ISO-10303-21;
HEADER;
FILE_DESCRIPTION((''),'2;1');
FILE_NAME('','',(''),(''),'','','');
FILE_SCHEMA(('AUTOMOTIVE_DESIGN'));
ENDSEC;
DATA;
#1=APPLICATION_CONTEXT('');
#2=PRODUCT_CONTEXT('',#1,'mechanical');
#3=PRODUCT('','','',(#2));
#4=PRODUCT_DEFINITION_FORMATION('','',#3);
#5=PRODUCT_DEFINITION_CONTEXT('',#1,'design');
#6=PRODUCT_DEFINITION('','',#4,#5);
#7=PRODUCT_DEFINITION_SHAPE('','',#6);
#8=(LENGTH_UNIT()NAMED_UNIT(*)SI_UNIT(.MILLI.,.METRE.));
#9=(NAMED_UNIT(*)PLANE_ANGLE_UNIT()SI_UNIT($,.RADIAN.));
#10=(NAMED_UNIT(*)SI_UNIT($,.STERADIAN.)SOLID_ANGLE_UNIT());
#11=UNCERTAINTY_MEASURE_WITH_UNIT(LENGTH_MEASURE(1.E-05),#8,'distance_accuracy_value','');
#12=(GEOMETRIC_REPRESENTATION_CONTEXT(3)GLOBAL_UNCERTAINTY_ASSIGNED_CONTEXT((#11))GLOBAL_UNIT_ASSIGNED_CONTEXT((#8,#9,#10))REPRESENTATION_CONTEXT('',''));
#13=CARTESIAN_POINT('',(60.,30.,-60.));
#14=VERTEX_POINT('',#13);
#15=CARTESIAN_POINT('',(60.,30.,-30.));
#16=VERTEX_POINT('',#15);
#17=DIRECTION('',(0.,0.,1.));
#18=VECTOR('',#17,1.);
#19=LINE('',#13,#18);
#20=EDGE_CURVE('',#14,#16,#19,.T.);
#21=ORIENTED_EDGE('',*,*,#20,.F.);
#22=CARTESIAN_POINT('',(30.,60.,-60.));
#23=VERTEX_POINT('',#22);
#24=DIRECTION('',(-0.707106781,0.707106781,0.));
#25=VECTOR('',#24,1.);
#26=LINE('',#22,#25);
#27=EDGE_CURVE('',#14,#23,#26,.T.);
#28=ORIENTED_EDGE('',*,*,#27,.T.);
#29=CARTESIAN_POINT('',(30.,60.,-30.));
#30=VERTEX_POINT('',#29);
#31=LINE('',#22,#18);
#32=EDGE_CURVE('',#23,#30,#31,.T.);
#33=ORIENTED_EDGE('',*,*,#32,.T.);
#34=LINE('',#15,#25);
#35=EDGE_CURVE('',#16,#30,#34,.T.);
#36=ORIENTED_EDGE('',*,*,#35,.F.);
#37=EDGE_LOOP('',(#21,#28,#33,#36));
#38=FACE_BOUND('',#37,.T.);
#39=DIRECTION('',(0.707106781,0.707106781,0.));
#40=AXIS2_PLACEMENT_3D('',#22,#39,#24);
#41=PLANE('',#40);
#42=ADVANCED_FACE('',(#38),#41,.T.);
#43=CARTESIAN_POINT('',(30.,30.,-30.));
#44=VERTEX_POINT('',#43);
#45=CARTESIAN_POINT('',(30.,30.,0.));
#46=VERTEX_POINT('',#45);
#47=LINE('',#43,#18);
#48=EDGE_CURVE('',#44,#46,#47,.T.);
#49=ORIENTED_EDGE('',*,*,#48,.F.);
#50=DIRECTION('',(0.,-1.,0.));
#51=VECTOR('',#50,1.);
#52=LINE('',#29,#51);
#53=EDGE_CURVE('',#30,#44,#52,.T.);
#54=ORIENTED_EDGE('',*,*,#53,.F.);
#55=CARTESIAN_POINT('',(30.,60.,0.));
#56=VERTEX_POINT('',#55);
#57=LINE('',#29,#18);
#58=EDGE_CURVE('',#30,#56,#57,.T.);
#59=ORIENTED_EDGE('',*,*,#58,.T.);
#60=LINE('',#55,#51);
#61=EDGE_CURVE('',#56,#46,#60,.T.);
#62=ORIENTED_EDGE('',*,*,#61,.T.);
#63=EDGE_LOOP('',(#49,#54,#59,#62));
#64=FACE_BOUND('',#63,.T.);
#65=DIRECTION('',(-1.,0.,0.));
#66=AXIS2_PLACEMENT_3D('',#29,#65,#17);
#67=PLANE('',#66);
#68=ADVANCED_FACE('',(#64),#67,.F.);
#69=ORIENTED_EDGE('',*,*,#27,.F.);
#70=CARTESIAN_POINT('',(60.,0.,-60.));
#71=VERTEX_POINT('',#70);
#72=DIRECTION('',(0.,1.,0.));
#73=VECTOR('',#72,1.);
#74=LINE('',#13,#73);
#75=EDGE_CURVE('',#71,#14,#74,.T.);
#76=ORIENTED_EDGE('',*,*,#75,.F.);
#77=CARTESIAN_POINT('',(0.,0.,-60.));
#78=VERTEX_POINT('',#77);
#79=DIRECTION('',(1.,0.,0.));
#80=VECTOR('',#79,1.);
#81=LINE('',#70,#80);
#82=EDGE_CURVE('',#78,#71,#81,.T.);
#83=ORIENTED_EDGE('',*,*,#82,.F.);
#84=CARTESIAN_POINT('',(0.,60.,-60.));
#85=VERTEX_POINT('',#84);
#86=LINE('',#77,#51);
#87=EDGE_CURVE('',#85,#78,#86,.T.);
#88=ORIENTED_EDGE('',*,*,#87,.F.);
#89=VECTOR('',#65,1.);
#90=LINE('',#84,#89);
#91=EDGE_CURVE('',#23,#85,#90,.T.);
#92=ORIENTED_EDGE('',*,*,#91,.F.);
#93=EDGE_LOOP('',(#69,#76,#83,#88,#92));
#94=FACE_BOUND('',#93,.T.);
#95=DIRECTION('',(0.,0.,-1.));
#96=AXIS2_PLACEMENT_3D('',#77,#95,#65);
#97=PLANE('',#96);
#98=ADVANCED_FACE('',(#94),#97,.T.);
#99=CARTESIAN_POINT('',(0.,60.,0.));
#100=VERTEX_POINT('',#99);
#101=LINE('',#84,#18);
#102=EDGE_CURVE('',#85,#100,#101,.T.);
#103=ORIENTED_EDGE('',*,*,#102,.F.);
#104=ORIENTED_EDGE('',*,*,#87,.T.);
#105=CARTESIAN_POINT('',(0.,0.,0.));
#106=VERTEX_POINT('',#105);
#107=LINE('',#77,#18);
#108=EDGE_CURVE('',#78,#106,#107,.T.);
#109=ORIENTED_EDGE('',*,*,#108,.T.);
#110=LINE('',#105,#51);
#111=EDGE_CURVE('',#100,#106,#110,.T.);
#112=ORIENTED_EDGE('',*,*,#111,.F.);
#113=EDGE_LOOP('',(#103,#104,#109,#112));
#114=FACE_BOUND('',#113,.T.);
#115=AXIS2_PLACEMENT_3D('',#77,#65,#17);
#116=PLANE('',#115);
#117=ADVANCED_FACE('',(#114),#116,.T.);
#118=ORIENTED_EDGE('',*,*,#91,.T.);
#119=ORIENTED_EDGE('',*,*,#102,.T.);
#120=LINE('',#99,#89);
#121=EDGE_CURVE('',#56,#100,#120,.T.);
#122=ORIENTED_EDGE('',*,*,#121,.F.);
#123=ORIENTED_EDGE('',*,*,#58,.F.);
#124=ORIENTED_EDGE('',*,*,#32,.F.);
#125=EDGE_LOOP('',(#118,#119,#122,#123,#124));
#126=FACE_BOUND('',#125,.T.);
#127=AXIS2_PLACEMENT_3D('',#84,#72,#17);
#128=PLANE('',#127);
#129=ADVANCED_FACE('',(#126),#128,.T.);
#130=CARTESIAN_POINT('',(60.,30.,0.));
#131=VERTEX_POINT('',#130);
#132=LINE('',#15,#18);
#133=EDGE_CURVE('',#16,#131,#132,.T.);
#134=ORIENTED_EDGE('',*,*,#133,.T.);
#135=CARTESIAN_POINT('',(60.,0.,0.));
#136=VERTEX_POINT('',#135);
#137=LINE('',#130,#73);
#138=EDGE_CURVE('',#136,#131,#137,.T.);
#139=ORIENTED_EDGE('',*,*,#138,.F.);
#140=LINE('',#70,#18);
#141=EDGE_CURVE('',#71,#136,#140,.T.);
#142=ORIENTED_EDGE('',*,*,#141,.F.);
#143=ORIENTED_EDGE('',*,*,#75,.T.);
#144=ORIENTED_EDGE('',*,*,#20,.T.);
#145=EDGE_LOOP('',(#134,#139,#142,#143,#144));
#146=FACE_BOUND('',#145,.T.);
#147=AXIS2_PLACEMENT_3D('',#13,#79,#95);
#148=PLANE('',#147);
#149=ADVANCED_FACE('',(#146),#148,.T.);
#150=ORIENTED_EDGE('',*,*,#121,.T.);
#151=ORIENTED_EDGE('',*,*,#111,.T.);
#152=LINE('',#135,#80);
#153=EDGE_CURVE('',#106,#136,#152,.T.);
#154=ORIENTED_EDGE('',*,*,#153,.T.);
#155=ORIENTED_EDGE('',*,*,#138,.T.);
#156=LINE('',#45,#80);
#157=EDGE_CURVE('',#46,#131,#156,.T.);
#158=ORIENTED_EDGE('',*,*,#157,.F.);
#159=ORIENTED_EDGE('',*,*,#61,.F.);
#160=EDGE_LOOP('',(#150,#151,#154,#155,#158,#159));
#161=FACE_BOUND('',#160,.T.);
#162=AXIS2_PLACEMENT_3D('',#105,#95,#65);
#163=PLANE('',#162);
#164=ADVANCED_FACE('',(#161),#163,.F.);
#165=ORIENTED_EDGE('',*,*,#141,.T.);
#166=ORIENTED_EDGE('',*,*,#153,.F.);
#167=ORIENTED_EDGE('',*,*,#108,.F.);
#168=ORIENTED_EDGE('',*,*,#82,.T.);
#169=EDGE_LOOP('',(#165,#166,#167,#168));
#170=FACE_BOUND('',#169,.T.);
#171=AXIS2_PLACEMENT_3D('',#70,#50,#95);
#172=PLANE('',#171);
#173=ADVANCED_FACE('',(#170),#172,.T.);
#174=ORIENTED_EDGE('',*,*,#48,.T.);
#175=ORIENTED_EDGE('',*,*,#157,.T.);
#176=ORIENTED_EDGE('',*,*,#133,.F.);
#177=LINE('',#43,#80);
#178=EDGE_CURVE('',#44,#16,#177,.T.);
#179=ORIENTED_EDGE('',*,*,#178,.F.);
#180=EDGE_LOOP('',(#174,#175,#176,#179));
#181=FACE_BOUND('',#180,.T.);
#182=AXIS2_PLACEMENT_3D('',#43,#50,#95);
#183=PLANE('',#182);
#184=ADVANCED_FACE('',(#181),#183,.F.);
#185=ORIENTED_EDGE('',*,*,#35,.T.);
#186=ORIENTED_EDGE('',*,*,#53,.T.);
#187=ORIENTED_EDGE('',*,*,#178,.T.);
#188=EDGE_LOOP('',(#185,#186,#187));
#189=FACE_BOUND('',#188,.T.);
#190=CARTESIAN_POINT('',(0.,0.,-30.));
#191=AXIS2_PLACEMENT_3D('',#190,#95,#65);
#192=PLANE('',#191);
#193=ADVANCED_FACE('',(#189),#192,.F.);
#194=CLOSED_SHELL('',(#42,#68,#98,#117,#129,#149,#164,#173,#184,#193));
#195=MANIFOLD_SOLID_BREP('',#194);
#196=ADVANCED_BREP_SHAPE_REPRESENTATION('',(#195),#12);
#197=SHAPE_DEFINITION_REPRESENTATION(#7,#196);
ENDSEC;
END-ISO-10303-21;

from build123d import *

# Parameters (mm, degrees)
SALIENTE_EXTRUIR1_DEPTH = 60
CORTAR_EXTRUIR1_DEPTH   = 30


with BuildPart() as part:
    # Croquis1 → Saliente-Extruir1 (new body)
    with BuildSketch(Plane.XY):
        Polygon((0, 0), (0, 60), (30, 60), (60, 30), (60, 0), align=None)
    extrude(amount=-SALIENTE_EXTRUIR1_DEPTH)

    # Croquis2 → Cortar-Extruir1 (cut)
    with BuildSketch(Plane.XY):
        Polygon((60, 30), (30, 60), (30, 30), align=None)
    extrude(amount=-CORTAR_EXTRUIR1_DEPTH, mode=Mode.SUBTRACT)


solid = part.part
